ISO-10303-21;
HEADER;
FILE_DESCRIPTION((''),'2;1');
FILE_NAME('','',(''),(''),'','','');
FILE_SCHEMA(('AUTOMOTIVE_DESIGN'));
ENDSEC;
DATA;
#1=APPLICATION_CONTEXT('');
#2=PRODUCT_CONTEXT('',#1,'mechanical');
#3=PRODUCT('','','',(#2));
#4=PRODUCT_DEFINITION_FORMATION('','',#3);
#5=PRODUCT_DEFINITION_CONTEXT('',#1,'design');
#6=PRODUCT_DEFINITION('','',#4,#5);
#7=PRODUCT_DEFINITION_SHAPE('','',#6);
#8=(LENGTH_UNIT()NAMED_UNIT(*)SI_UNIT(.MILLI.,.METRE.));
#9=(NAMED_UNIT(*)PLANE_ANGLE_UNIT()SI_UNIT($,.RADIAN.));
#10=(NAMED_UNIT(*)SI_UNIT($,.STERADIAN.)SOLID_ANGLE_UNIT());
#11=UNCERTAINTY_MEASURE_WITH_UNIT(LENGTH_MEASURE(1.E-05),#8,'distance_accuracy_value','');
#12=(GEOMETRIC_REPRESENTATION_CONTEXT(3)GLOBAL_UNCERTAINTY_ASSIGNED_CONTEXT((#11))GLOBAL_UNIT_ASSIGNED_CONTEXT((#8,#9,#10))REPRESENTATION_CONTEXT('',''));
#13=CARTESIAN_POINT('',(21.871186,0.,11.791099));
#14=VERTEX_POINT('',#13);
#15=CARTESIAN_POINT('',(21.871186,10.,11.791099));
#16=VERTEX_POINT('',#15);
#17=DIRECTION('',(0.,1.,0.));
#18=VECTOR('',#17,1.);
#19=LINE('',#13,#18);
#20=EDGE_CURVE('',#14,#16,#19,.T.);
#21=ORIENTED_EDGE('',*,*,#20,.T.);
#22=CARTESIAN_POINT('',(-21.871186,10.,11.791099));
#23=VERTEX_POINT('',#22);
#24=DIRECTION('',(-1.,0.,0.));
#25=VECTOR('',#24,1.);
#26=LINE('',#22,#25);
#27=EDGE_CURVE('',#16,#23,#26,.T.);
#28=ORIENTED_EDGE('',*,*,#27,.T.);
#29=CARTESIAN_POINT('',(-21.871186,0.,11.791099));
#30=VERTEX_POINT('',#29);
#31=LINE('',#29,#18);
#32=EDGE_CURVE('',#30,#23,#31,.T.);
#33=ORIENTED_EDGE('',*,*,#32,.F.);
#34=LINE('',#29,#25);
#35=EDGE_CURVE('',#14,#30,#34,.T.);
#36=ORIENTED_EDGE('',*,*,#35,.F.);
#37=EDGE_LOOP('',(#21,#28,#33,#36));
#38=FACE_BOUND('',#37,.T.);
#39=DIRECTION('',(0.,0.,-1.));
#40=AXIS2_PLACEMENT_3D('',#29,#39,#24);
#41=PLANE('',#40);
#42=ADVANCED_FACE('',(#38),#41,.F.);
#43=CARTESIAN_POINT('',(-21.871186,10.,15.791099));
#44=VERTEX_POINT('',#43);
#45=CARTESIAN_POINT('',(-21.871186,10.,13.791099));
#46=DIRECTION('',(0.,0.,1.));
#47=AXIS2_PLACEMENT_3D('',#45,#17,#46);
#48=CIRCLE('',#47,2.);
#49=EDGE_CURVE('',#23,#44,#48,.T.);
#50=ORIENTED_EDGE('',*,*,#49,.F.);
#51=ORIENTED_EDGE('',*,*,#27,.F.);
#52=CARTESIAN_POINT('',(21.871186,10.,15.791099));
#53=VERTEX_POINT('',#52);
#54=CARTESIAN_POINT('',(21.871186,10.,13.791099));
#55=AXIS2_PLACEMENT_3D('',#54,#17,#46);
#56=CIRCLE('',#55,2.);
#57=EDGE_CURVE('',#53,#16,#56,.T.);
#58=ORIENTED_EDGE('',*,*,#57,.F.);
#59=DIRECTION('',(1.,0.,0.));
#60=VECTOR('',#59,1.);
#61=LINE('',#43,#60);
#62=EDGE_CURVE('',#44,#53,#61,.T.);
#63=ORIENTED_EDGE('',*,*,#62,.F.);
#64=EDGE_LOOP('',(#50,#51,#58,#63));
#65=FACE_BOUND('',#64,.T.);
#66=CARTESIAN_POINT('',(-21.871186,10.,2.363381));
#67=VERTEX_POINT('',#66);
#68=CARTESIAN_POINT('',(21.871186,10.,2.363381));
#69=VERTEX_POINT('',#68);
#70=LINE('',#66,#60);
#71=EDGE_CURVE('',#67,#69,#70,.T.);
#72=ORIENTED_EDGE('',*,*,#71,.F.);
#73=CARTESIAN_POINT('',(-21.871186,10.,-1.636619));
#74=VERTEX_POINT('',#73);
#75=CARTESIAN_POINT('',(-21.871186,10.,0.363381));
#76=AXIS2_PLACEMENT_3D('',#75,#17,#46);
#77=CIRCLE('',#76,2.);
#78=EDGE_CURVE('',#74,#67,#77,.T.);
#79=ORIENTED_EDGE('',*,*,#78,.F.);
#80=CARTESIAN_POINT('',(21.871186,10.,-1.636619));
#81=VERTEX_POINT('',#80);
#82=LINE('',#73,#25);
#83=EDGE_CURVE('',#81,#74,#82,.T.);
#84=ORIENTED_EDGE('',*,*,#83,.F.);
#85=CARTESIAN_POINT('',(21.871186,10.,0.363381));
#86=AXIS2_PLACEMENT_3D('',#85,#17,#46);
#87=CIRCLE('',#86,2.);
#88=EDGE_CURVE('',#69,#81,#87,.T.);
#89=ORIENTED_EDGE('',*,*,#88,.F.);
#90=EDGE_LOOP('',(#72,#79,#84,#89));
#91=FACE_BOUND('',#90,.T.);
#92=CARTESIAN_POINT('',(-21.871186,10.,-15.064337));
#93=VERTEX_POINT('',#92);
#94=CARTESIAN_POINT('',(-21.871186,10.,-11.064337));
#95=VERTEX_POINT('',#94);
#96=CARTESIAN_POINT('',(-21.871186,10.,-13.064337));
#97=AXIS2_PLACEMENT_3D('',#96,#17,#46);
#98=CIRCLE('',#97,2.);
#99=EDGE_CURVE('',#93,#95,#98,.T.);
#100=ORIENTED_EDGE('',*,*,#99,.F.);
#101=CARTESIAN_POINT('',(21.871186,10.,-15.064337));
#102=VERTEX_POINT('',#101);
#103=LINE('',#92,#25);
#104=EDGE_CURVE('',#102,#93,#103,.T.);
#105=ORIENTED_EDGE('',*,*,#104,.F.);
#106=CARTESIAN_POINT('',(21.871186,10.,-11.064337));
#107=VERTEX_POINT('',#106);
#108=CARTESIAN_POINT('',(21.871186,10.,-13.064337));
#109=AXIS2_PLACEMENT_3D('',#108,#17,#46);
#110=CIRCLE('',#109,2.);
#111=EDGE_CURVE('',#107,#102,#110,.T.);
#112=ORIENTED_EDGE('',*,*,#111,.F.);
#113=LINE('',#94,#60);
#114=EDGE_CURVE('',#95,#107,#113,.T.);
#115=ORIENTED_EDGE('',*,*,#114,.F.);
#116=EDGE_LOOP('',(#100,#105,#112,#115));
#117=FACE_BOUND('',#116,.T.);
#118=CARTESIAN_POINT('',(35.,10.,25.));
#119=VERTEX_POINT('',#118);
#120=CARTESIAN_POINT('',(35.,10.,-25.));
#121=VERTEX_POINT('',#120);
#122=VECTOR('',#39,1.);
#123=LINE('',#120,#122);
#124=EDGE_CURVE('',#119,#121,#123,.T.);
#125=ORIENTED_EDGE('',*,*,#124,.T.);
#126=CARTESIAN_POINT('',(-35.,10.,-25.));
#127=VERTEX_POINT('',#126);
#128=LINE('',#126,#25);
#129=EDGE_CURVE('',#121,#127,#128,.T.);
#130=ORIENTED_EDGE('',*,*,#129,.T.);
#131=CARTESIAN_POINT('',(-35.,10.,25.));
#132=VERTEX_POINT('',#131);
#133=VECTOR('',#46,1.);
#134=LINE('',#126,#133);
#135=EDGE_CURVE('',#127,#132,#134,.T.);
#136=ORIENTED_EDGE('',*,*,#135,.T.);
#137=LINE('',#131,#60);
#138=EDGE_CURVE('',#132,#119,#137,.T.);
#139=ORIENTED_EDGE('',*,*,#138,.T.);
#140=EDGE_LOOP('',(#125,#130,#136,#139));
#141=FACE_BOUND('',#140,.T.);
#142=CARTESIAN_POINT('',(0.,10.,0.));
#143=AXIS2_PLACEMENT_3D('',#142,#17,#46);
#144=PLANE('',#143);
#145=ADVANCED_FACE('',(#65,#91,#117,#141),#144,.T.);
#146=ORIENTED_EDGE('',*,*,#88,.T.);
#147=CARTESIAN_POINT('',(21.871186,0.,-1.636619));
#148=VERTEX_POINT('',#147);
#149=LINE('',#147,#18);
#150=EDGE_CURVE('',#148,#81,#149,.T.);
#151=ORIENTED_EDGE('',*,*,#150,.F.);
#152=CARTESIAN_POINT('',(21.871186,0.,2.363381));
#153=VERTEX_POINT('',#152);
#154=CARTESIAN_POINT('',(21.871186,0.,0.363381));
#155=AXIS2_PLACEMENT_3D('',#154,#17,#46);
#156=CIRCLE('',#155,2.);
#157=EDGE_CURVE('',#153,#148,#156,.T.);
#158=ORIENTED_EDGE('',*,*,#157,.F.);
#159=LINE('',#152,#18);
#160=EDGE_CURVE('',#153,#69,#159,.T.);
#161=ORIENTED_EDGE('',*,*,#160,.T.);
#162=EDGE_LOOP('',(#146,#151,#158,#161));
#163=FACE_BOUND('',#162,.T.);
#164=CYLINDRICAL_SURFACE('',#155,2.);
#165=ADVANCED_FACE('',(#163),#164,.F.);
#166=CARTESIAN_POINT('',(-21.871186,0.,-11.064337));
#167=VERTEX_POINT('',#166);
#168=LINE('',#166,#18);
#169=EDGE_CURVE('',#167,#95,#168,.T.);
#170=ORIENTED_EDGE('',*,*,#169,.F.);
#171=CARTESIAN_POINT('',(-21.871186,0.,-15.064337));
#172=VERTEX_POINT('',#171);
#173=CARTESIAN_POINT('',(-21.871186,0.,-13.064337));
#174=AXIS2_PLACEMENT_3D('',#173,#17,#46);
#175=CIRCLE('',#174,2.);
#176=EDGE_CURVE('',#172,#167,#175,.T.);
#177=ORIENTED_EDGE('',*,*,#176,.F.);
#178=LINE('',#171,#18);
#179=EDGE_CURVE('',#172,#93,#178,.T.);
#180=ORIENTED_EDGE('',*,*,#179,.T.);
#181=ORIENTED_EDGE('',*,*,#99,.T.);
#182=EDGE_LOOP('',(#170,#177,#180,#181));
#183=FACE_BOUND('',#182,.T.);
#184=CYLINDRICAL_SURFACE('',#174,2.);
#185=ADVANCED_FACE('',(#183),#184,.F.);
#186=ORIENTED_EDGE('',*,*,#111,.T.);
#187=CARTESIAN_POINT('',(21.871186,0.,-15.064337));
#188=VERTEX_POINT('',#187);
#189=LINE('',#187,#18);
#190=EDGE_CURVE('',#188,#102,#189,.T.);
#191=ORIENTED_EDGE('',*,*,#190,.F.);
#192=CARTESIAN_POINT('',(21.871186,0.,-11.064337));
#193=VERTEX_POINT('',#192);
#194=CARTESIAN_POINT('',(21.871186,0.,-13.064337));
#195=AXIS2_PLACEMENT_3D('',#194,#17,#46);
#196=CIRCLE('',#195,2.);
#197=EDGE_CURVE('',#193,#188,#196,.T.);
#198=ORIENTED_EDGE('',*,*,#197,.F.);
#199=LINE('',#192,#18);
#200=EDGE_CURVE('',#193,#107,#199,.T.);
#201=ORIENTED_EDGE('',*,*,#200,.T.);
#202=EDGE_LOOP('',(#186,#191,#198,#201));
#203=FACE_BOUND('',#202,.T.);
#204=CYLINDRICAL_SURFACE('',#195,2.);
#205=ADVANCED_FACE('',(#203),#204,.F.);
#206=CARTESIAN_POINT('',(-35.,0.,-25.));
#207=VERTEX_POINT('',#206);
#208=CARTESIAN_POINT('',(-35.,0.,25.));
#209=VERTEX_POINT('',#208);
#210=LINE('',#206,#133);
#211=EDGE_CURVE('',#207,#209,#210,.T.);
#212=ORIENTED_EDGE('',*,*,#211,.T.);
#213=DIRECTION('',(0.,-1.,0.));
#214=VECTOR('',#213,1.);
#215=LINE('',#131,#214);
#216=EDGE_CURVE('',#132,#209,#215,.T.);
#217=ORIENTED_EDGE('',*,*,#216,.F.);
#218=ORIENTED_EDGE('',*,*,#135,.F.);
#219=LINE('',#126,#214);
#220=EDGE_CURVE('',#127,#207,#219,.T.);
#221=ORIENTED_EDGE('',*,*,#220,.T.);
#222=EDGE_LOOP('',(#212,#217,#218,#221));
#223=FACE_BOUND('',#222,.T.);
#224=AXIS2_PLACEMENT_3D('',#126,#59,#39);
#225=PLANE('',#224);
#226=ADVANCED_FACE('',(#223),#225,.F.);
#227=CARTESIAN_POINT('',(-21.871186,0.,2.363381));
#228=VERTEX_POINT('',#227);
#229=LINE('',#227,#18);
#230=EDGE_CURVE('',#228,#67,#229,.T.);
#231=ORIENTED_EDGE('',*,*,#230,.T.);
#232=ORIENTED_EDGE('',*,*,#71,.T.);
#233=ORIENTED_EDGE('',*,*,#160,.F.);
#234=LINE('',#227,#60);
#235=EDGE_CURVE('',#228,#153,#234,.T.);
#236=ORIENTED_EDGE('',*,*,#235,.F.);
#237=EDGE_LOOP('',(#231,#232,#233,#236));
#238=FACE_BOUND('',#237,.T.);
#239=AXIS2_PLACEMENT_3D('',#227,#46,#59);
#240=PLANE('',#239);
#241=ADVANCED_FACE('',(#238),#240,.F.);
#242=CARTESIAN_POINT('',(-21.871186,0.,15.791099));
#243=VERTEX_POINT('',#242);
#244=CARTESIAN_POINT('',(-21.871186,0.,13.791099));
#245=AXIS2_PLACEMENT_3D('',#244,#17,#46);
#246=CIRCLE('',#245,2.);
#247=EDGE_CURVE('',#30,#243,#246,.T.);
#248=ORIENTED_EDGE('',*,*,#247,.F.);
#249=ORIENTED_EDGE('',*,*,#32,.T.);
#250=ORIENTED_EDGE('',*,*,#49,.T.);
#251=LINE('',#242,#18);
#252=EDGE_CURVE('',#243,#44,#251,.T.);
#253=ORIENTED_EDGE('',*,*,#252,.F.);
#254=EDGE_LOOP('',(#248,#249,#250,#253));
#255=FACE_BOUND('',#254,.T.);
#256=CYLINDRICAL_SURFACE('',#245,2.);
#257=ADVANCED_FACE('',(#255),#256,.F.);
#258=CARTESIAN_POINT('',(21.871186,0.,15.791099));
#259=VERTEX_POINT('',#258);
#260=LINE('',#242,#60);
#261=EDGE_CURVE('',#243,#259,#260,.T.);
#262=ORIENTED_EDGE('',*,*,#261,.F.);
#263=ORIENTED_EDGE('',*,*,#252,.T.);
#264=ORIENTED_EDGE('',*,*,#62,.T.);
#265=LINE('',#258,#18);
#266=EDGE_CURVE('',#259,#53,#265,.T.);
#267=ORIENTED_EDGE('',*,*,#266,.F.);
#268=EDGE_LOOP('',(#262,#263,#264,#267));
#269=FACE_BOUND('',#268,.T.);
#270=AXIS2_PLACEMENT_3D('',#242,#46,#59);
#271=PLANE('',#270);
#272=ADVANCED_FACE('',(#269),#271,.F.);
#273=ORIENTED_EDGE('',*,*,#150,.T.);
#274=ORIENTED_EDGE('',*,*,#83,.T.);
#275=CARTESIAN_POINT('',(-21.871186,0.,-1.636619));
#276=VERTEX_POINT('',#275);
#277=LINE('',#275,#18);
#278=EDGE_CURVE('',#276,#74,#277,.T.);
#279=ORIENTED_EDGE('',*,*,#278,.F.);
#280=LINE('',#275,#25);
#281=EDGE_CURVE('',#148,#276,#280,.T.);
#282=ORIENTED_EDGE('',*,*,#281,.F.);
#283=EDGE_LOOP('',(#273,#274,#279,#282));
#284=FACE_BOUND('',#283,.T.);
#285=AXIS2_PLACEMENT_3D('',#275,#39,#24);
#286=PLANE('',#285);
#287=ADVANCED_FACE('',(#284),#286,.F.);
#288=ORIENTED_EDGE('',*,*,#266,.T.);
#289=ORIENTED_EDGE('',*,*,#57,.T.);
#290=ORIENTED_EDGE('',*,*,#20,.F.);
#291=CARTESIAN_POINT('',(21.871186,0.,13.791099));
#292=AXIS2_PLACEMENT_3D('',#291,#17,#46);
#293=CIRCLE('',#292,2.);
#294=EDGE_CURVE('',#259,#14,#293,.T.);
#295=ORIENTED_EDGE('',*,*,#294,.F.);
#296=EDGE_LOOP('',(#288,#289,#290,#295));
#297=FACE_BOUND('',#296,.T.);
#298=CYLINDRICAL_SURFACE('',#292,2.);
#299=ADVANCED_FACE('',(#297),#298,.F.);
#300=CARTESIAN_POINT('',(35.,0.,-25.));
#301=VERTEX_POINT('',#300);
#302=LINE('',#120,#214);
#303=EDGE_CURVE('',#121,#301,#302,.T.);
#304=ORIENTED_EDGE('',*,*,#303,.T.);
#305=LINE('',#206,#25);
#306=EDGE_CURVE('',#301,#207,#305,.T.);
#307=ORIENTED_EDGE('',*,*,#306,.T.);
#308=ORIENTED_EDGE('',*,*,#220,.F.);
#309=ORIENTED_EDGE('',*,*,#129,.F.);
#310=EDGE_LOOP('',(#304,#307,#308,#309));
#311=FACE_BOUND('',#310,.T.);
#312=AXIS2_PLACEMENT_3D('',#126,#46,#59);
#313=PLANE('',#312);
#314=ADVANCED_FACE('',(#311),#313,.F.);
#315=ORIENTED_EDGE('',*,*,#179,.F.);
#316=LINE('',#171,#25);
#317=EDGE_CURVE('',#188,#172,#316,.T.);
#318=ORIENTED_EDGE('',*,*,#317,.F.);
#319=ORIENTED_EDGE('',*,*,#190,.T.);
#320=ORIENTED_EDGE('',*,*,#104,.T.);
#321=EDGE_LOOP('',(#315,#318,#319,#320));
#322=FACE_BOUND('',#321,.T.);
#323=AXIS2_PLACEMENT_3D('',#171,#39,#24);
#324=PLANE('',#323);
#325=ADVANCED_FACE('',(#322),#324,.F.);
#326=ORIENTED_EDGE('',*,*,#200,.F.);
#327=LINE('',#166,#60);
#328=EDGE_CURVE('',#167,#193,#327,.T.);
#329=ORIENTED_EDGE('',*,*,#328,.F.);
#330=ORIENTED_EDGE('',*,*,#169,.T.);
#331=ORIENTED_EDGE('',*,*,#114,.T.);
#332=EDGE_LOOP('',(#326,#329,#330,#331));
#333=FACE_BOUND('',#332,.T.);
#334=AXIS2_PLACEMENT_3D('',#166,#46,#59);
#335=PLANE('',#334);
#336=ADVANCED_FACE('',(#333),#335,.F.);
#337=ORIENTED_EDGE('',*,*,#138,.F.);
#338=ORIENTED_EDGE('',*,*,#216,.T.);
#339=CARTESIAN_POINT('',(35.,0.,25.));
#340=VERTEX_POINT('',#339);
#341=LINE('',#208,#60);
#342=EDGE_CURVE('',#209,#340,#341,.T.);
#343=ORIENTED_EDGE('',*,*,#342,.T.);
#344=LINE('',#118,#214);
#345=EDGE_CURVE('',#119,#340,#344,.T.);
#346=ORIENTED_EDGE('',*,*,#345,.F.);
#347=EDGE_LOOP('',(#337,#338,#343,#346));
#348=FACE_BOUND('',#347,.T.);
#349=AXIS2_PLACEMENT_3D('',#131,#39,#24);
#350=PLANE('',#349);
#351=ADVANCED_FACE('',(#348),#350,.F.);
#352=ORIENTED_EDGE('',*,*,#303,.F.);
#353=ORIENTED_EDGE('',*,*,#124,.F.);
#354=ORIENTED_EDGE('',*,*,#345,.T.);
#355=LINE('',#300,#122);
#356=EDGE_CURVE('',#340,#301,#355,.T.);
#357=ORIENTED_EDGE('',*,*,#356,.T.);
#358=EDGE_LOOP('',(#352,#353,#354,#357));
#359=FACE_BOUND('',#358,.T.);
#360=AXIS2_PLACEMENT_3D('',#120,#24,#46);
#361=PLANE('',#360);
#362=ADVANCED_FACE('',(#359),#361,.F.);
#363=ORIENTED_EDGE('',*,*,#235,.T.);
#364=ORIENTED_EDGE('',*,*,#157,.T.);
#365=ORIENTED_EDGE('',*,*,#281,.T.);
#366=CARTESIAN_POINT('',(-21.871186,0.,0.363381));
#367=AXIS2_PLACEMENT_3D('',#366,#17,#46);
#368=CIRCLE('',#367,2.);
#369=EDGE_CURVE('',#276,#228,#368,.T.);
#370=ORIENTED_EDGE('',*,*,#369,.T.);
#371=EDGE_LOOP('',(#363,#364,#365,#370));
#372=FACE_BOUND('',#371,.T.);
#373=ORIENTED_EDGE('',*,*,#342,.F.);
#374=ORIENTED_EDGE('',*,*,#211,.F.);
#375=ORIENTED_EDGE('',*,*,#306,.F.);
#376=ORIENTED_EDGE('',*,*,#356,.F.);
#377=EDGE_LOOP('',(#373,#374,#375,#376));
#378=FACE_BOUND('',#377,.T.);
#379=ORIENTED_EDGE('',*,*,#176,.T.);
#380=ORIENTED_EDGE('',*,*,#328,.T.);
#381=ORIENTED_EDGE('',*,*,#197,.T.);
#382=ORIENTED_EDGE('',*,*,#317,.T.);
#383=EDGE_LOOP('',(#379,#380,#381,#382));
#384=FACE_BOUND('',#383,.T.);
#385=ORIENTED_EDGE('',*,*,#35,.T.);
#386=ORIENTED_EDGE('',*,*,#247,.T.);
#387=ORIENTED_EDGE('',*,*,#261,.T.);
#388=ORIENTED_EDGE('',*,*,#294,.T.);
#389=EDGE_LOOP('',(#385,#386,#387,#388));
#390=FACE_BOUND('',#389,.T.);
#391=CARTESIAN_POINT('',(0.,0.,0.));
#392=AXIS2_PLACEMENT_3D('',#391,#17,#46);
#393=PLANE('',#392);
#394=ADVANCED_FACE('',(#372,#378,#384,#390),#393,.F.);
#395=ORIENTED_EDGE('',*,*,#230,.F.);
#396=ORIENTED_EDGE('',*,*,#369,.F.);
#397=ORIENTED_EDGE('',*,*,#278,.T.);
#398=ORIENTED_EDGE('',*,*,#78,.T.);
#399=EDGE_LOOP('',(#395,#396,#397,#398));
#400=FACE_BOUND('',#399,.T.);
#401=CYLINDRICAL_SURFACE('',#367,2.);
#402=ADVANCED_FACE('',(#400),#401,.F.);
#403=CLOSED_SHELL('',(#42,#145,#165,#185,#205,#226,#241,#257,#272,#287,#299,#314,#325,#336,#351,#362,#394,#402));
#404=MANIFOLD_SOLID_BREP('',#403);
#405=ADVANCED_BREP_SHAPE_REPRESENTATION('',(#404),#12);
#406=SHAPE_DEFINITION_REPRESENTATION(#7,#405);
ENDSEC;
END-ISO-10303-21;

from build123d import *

# Parameters (mm, degrees)
SKETCH1_W           = 70
SKETCH1_H           = 50
BOSS_EXTRUDE1_DEPTH = 10
CUT_EXTRUDE1_DEPTH  = 10


with BuildPart() as part:
    # Sketch1 → Boss-Extrude1 (new body)
    with BuildSketch(Plane(origin=(0, 0, 0), x_dir=(1, 0, 0), z_dir=(0, 1, 0))):
        Rectangle(SKETCH1_W, SKETCH1_H)
    extrude(amount=BOSS_EXTRUDE1_DEPTH)

    # Sketch2 → Cut-Extrude1 (cut)
    with BuildSketch(Plane(origin=(0, 10, 0), x_dir=(1, 0, 0), z_dir=(0, 1, 0))):
        with BuildLine():
            Line((-21.871185968, 15.064337274), (21.871185968, 15.064337274))
            ThreePointArc((21.871185968, 15.064337274), (23.871185968, 13.064337274), (21.871185968, 11.064337274))
            Line((21.871185968, 11.064337274), (-21.871185968, 11.064337274))
            ThreePointArc((-21.871185968, 11.064337274), (-23.871185968, 13.064337274), (-21.871185968, 15.064337274))
        make_face()
        with BuildLine():
            Line((-21.871185968, -11.791098557), (21.871185968, -11.791098557))
            ThreePointArc((21.871185968, -11.791098557), (23.871185968, -13.791098557), (21.871185968, -15.791098557))
            Line((21.871185968, -15.791098557), (-21.871185968, -15.791098557))
            ThreePointArc((-21.871185968, -15.791098557), (-23.871185968, -13.791098557), (-21.871185968, -11.791098557))
        make_face()
        with BuildLine():
            Line((-21.871185968, 1.636619358), (21.871185968, 1.636619358))
            ThreePointArc((21.871185968, 1.636619358), (23.871185968, -0.363380642), (21.871185968, -2.363380642))
            Line((21.871185968, -2.363380642), (-21.871185968, -2.363380642))
            ThreePointArc((-21.871185968, -2.363380642), (-23.871185968, -0.363380642), (-21.871185968, 1.636619358))
        make_face()
    extrude(amount=-CUT_EXTRUDE1_DEPTH, mode=Mode.SUBTRACT)


solid = part.part
